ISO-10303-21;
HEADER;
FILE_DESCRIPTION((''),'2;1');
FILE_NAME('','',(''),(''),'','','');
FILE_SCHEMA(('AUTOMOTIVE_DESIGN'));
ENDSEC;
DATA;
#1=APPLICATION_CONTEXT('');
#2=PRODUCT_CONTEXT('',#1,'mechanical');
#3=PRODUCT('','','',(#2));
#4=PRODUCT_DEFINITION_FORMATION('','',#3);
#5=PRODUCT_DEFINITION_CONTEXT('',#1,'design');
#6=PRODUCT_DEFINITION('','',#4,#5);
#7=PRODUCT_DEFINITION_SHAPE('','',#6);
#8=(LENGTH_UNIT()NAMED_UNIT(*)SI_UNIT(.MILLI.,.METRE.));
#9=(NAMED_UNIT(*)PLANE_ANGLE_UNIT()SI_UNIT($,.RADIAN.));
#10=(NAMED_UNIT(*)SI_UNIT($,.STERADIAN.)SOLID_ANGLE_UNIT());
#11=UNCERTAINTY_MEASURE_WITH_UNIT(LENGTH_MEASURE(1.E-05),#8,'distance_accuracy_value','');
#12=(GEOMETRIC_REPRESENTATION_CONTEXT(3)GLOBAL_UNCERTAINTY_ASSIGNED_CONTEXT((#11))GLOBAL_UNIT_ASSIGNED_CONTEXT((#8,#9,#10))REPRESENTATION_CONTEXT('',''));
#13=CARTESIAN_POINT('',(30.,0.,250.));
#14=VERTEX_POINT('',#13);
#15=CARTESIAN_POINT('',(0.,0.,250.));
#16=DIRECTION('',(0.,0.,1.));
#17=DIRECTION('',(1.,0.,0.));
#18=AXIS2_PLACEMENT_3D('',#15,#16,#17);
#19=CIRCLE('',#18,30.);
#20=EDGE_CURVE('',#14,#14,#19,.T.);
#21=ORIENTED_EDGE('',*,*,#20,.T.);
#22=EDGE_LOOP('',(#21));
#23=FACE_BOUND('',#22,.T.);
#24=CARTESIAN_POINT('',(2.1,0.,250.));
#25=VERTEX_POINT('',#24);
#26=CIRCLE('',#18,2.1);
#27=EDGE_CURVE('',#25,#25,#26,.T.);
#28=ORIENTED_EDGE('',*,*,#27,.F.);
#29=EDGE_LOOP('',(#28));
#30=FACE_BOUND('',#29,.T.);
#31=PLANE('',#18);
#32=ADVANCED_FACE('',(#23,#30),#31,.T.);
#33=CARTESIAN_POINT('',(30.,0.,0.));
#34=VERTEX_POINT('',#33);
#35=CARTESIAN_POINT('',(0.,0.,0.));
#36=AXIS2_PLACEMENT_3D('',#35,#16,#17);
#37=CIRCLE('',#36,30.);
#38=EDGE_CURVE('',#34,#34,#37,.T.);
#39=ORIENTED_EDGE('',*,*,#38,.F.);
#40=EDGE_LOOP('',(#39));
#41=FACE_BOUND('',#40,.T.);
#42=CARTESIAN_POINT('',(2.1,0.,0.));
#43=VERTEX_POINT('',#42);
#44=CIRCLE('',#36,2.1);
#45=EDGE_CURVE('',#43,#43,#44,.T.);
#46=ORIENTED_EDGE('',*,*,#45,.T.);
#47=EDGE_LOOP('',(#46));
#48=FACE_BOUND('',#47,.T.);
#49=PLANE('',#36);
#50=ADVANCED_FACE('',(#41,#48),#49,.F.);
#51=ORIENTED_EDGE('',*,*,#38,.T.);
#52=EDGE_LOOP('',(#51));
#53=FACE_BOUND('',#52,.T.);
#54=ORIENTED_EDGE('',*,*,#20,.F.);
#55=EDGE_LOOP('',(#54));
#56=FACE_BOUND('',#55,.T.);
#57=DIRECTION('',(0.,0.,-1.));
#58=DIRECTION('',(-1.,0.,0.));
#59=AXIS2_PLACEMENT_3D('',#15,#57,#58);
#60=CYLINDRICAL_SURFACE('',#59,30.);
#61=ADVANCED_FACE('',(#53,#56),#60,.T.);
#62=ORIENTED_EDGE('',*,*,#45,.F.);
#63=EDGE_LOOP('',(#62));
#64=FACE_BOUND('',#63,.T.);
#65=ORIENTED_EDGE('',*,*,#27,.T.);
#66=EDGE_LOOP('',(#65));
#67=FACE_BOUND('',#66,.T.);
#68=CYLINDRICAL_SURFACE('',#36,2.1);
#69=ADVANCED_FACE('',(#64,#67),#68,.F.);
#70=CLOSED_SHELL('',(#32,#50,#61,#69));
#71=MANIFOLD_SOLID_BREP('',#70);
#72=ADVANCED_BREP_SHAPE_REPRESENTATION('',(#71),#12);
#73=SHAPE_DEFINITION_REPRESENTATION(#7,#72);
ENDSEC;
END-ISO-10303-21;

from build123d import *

# Parameters (mm, degrees)
SKETCH_1_R          = 30
EXTRUDE_1_DEPTH     = 250
SKETCH_2_R          = 2.1
CUT_EXTRUDE_1_DEPTH = 250


with BuildPart() as part:
    # 草图1 → 凸台-拉伸1 (new body)
    with BuildSketch(Plane.XY):
        Circle(SKETCH_1_R)
    extrude(amount=EXTRUDE_1_DEPTH)

    # 草图2 → 切除-拉伸1 (cut)
    with BuildSketch(Plane.XY.offset(250)):
        Circle(SKETCH_2_R)
    extrude(amount=-CUT_EXTRUDE_1_DEPTH, mode=Mode.SUBTRACT)


solid = part.part
